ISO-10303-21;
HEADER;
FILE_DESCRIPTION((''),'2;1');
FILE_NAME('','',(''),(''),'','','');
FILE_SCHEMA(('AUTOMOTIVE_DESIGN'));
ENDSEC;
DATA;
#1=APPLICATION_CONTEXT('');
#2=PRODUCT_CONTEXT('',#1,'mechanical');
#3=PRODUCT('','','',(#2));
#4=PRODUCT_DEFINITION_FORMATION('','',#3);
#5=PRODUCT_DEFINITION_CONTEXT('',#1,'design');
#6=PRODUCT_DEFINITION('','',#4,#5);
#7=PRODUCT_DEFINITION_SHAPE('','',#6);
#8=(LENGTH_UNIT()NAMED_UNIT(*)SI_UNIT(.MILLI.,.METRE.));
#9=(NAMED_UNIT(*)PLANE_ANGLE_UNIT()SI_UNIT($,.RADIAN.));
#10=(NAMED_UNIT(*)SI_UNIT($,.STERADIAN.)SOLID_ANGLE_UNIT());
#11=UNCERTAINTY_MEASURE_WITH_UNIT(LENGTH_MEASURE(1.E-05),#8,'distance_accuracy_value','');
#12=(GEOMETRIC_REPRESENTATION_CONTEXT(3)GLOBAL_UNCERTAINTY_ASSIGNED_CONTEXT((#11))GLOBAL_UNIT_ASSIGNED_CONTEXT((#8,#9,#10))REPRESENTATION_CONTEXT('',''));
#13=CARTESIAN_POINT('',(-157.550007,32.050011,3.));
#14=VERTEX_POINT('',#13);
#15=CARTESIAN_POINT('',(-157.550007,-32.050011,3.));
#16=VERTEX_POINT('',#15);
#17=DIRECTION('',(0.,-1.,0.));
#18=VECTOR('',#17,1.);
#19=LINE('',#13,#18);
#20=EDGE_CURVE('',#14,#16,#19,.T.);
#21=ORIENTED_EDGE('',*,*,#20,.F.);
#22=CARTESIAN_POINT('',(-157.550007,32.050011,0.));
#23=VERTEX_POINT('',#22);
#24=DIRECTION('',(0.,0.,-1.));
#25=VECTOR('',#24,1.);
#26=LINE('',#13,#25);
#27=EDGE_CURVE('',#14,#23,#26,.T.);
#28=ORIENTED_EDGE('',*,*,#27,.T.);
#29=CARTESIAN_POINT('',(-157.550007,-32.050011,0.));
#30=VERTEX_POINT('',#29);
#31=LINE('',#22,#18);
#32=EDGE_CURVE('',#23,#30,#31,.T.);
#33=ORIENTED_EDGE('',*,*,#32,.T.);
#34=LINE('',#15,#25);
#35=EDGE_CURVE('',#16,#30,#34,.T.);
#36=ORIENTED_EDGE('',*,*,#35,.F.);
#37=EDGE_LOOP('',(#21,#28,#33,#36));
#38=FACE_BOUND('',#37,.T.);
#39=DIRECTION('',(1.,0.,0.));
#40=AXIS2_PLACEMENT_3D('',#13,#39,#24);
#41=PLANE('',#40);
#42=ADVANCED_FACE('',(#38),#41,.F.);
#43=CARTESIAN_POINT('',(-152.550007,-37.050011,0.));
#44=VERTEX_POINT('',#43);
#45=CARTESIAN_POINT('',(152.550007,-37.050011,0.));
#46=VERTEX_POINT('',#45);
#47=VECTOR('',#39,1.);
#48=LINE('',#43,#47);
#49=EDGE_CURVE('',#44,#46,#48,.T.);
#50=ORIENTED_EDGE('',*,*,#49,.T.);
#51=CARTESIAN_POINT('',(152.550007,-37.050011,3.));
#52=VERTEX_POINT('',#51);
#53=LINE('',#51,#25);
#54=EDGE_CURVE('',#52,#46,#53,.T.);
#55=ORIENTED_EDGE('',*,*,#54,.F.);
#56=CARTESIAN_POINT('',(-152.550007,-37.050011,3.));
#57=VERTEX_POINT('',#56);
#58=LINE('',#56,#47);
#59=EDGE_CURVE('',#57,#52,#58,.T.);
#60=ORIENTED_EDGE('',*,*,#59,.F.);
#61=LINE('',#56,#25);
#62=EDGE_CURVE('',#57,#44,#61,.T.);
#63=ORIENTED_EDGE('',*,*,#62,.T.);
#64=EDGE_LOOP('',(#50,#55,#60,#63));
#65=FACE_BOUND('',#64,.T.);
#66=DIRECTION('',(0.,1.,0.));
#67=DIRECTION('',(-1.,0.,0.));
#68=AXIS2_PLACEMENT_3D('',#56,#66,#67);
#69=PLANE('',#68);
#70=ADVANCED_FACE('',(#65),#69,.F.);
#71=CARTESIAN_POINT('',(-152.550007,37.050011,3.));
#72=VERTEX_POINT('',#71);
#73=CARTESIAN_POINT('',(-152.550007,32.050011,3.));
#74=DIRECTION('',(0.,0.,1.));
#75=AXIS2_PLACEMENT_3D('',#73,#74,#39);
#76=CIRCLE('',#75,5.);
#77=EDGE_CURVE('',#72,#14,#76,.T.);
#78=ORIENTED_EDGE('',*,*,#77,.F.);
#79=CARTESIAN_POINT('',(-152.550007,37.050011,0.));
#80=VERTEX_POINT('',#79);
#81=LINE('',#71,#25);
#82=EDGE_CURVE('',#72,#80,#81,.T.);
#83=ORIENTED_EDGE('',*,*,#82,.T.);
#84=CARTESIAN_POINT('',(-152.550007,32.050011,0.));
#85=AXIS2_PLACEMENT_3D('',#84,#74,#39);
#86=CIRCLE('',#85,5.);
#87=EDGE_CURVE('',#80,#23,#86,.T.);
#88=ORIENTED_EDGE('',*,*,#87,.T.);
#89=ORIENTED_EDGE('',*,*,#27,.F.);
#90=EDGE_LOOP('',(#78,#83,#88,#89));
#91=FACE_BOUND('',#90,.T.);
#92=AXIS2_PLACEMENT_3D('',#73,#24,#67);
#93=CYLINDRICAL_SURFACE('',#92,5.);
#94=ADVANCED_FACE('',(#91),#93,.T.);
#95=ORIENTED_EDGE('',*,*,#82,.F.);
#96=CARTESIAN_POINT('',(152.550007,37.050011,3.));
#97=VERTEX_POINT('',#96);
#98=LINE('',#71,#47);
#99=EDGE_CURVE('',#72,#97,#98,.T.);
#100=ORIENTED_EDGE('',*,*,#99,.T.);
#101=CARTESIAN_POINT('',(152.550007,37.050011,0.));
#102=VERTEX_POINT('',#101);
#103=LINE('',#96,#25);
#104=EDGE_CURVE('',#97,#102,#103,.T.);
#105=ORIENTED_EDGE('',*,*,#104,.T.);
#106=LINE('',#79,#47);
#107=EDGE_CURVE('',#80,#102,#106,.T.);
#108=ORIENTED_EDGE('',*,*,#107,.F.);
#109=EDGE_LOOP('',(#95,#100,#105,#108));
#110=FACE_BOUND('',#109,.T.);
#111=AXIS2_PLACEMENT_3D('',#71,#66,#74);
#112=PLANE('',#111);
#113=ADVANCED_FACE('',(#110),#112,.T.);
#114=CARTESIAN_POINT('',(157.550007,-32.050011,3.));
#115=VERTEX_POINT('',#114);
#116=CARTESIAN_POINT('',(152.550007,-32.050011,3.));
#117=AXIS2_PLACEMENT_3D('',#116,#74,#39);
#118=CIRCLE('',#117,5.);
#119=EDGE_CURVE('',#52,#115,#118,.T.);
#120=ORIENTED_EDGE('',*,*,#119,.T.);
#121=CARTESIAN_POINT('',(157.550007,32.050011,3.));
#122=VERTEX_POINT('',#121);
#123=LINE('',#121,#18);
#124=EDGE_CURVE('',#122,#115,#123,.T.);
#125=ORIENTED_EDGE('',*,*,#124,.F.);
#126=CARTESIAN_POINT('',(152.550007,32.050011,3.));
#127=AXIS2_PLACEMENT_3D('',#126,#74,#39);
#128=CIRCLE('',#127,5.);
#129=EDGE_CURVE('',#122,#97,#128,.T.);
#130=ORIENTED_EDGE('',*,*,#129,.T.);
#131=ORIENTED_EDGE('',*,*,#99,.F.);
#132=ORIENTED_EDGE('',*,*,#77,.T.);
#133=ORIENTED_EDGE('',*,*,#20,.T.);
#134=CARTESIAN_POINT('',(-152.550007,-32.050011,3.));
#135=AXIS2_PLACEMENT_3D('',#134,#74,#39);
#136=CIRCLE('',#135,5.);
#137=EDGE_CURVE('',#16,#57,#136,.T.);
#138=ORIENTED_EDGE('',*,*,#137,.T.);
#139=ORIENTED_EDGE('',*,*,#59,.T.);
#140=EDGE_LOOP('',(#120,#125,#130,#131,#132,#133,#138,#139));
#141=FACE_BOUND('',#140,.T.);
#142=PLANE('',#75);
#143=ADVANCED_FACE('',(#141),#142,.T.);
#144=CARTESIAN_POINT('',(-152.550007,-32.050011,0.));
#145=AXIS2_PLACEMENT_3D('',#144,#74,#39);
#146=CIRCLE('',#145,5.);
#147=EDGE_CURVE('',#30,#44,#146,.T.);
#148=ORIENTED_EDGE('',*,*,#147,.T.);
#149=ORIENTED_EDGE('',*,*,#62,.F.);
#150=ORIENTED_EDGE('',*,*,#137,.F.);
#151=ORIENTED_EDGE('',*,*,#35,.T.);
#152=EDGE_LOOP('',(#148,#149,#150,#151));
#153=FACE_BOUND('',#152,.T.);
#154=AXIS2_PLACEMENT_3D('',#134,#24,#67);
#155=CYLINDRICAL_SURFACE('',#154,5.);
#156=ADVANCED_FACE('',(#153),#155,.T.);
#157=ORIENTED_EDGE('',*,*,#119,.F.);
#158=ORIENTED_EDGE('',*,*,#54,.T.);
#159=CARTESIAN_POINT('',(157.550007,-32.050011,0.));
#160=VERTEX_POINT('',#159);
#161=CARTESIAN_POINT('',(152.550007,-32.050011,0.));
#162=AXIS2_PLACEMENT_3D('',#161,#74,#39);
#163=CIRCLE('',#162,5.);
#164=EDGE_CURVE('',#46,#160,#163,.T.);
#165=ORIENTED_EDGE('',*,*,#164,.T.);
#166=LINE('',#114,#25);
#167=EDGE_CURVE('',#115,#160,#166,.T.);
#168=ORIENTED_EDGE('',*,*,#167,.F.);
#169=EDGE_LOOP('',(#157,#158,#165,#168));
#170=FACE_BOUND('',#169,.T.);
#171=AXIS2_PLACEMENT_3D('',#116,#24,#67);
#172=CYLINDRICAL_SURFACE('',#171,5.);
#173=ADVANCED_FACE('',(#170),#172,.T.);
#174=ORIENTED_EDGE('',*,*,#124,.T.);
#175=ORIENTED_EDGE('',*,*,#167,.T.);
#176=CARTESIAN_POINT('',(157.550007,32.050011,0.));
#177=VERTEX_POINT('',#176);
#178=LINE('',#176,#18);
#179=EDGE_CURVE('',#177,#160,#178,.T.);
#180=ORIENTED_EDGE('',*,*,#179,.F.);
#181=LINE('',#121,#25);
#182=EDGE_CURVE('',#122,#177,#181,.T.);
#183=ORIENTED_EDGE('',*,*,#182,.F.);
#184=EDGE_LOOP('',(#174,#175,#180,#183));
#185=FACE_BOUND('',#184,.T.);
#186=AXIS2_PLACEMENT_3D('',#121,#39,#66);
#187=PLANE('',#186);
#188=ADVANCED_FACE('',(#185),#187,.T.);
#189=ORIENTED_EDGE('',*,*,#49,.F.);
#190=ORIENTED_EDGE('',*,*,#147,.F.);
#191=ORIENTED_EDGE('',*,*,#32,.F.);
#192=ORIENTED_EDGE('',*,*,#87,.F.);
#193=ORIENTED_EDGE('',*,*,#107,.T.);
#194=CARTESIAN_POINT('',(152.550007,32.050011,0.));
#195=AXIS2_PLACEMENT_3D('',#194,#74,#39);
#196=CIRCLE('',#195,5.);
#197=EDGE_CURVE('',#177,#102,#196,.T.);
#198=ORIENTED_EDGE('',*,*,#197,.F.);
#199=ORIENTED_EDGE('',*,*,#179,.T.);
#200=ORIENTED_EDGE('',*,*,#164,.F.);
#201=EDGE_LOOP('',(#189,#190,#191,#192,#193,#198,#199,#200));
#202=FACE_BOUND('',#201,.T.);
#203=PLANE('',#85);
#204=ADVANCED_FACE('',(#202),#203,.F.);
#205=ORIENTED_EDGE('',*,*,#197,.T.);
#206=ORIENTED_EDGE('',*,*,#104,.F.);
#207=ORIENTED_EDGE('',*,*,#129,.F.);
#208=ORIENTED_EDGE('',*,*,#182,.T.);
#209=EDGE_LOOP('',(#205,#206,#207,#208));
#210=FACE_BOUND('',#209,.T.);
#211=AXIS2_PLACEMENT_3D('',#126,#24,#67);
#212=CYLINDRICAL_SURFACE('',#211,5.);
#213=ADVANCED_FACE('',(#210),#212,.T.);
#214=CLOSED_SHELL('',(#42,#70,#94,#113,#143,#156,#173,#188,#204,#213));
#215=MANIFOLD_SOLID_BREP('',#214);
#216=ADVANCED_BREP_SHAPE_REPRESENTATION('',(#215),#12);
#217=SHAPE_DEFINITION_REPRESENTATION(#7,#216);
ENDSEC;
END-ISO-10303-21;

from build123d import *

# Parameters (mm, degrees)
EXTRUDE_1_DEPTH = 3


with BuildPart() as part:
    # 草图1 → 凸台-拉伸1 (new body)
    with BuildSketch(Plane.XY):
        with BuildLine():
            Line((-152.550007014, -37.050010872), (152.550007014, -37.050010872))
            ThreePointArc((152.550007014, -37.050010872), (156.08554092, -35.585544778), (157.550007014, -32.050010872))
            Line((157.550007014, -32.050010872), (157.550007014, 32.050010872))
            ThreePointArc((157.550007014, 32.050010872), (156.08554092, 35.585544778), (152.550007014, 37.050010872))
            Line((152.550007014, 37.050010872), (-152.550007014, 37.050010872))
            ThreePointArc((-152.550007014, 37.050010872), (-156.08554092, 35.585544778), (-157.550007014, 32.050010872))
            Line((-157.550007014, 32.050010872), (-157.550007014, -32.050010872))
            ThreePointArc((-157.550007014, -32.050010872), (-156.08554092, -35.585544778), (-152.550007014, -37.050010872))
        make_face()
    extrude(amount=EXTRUDE_1_DEPTH)


solid = part.part
